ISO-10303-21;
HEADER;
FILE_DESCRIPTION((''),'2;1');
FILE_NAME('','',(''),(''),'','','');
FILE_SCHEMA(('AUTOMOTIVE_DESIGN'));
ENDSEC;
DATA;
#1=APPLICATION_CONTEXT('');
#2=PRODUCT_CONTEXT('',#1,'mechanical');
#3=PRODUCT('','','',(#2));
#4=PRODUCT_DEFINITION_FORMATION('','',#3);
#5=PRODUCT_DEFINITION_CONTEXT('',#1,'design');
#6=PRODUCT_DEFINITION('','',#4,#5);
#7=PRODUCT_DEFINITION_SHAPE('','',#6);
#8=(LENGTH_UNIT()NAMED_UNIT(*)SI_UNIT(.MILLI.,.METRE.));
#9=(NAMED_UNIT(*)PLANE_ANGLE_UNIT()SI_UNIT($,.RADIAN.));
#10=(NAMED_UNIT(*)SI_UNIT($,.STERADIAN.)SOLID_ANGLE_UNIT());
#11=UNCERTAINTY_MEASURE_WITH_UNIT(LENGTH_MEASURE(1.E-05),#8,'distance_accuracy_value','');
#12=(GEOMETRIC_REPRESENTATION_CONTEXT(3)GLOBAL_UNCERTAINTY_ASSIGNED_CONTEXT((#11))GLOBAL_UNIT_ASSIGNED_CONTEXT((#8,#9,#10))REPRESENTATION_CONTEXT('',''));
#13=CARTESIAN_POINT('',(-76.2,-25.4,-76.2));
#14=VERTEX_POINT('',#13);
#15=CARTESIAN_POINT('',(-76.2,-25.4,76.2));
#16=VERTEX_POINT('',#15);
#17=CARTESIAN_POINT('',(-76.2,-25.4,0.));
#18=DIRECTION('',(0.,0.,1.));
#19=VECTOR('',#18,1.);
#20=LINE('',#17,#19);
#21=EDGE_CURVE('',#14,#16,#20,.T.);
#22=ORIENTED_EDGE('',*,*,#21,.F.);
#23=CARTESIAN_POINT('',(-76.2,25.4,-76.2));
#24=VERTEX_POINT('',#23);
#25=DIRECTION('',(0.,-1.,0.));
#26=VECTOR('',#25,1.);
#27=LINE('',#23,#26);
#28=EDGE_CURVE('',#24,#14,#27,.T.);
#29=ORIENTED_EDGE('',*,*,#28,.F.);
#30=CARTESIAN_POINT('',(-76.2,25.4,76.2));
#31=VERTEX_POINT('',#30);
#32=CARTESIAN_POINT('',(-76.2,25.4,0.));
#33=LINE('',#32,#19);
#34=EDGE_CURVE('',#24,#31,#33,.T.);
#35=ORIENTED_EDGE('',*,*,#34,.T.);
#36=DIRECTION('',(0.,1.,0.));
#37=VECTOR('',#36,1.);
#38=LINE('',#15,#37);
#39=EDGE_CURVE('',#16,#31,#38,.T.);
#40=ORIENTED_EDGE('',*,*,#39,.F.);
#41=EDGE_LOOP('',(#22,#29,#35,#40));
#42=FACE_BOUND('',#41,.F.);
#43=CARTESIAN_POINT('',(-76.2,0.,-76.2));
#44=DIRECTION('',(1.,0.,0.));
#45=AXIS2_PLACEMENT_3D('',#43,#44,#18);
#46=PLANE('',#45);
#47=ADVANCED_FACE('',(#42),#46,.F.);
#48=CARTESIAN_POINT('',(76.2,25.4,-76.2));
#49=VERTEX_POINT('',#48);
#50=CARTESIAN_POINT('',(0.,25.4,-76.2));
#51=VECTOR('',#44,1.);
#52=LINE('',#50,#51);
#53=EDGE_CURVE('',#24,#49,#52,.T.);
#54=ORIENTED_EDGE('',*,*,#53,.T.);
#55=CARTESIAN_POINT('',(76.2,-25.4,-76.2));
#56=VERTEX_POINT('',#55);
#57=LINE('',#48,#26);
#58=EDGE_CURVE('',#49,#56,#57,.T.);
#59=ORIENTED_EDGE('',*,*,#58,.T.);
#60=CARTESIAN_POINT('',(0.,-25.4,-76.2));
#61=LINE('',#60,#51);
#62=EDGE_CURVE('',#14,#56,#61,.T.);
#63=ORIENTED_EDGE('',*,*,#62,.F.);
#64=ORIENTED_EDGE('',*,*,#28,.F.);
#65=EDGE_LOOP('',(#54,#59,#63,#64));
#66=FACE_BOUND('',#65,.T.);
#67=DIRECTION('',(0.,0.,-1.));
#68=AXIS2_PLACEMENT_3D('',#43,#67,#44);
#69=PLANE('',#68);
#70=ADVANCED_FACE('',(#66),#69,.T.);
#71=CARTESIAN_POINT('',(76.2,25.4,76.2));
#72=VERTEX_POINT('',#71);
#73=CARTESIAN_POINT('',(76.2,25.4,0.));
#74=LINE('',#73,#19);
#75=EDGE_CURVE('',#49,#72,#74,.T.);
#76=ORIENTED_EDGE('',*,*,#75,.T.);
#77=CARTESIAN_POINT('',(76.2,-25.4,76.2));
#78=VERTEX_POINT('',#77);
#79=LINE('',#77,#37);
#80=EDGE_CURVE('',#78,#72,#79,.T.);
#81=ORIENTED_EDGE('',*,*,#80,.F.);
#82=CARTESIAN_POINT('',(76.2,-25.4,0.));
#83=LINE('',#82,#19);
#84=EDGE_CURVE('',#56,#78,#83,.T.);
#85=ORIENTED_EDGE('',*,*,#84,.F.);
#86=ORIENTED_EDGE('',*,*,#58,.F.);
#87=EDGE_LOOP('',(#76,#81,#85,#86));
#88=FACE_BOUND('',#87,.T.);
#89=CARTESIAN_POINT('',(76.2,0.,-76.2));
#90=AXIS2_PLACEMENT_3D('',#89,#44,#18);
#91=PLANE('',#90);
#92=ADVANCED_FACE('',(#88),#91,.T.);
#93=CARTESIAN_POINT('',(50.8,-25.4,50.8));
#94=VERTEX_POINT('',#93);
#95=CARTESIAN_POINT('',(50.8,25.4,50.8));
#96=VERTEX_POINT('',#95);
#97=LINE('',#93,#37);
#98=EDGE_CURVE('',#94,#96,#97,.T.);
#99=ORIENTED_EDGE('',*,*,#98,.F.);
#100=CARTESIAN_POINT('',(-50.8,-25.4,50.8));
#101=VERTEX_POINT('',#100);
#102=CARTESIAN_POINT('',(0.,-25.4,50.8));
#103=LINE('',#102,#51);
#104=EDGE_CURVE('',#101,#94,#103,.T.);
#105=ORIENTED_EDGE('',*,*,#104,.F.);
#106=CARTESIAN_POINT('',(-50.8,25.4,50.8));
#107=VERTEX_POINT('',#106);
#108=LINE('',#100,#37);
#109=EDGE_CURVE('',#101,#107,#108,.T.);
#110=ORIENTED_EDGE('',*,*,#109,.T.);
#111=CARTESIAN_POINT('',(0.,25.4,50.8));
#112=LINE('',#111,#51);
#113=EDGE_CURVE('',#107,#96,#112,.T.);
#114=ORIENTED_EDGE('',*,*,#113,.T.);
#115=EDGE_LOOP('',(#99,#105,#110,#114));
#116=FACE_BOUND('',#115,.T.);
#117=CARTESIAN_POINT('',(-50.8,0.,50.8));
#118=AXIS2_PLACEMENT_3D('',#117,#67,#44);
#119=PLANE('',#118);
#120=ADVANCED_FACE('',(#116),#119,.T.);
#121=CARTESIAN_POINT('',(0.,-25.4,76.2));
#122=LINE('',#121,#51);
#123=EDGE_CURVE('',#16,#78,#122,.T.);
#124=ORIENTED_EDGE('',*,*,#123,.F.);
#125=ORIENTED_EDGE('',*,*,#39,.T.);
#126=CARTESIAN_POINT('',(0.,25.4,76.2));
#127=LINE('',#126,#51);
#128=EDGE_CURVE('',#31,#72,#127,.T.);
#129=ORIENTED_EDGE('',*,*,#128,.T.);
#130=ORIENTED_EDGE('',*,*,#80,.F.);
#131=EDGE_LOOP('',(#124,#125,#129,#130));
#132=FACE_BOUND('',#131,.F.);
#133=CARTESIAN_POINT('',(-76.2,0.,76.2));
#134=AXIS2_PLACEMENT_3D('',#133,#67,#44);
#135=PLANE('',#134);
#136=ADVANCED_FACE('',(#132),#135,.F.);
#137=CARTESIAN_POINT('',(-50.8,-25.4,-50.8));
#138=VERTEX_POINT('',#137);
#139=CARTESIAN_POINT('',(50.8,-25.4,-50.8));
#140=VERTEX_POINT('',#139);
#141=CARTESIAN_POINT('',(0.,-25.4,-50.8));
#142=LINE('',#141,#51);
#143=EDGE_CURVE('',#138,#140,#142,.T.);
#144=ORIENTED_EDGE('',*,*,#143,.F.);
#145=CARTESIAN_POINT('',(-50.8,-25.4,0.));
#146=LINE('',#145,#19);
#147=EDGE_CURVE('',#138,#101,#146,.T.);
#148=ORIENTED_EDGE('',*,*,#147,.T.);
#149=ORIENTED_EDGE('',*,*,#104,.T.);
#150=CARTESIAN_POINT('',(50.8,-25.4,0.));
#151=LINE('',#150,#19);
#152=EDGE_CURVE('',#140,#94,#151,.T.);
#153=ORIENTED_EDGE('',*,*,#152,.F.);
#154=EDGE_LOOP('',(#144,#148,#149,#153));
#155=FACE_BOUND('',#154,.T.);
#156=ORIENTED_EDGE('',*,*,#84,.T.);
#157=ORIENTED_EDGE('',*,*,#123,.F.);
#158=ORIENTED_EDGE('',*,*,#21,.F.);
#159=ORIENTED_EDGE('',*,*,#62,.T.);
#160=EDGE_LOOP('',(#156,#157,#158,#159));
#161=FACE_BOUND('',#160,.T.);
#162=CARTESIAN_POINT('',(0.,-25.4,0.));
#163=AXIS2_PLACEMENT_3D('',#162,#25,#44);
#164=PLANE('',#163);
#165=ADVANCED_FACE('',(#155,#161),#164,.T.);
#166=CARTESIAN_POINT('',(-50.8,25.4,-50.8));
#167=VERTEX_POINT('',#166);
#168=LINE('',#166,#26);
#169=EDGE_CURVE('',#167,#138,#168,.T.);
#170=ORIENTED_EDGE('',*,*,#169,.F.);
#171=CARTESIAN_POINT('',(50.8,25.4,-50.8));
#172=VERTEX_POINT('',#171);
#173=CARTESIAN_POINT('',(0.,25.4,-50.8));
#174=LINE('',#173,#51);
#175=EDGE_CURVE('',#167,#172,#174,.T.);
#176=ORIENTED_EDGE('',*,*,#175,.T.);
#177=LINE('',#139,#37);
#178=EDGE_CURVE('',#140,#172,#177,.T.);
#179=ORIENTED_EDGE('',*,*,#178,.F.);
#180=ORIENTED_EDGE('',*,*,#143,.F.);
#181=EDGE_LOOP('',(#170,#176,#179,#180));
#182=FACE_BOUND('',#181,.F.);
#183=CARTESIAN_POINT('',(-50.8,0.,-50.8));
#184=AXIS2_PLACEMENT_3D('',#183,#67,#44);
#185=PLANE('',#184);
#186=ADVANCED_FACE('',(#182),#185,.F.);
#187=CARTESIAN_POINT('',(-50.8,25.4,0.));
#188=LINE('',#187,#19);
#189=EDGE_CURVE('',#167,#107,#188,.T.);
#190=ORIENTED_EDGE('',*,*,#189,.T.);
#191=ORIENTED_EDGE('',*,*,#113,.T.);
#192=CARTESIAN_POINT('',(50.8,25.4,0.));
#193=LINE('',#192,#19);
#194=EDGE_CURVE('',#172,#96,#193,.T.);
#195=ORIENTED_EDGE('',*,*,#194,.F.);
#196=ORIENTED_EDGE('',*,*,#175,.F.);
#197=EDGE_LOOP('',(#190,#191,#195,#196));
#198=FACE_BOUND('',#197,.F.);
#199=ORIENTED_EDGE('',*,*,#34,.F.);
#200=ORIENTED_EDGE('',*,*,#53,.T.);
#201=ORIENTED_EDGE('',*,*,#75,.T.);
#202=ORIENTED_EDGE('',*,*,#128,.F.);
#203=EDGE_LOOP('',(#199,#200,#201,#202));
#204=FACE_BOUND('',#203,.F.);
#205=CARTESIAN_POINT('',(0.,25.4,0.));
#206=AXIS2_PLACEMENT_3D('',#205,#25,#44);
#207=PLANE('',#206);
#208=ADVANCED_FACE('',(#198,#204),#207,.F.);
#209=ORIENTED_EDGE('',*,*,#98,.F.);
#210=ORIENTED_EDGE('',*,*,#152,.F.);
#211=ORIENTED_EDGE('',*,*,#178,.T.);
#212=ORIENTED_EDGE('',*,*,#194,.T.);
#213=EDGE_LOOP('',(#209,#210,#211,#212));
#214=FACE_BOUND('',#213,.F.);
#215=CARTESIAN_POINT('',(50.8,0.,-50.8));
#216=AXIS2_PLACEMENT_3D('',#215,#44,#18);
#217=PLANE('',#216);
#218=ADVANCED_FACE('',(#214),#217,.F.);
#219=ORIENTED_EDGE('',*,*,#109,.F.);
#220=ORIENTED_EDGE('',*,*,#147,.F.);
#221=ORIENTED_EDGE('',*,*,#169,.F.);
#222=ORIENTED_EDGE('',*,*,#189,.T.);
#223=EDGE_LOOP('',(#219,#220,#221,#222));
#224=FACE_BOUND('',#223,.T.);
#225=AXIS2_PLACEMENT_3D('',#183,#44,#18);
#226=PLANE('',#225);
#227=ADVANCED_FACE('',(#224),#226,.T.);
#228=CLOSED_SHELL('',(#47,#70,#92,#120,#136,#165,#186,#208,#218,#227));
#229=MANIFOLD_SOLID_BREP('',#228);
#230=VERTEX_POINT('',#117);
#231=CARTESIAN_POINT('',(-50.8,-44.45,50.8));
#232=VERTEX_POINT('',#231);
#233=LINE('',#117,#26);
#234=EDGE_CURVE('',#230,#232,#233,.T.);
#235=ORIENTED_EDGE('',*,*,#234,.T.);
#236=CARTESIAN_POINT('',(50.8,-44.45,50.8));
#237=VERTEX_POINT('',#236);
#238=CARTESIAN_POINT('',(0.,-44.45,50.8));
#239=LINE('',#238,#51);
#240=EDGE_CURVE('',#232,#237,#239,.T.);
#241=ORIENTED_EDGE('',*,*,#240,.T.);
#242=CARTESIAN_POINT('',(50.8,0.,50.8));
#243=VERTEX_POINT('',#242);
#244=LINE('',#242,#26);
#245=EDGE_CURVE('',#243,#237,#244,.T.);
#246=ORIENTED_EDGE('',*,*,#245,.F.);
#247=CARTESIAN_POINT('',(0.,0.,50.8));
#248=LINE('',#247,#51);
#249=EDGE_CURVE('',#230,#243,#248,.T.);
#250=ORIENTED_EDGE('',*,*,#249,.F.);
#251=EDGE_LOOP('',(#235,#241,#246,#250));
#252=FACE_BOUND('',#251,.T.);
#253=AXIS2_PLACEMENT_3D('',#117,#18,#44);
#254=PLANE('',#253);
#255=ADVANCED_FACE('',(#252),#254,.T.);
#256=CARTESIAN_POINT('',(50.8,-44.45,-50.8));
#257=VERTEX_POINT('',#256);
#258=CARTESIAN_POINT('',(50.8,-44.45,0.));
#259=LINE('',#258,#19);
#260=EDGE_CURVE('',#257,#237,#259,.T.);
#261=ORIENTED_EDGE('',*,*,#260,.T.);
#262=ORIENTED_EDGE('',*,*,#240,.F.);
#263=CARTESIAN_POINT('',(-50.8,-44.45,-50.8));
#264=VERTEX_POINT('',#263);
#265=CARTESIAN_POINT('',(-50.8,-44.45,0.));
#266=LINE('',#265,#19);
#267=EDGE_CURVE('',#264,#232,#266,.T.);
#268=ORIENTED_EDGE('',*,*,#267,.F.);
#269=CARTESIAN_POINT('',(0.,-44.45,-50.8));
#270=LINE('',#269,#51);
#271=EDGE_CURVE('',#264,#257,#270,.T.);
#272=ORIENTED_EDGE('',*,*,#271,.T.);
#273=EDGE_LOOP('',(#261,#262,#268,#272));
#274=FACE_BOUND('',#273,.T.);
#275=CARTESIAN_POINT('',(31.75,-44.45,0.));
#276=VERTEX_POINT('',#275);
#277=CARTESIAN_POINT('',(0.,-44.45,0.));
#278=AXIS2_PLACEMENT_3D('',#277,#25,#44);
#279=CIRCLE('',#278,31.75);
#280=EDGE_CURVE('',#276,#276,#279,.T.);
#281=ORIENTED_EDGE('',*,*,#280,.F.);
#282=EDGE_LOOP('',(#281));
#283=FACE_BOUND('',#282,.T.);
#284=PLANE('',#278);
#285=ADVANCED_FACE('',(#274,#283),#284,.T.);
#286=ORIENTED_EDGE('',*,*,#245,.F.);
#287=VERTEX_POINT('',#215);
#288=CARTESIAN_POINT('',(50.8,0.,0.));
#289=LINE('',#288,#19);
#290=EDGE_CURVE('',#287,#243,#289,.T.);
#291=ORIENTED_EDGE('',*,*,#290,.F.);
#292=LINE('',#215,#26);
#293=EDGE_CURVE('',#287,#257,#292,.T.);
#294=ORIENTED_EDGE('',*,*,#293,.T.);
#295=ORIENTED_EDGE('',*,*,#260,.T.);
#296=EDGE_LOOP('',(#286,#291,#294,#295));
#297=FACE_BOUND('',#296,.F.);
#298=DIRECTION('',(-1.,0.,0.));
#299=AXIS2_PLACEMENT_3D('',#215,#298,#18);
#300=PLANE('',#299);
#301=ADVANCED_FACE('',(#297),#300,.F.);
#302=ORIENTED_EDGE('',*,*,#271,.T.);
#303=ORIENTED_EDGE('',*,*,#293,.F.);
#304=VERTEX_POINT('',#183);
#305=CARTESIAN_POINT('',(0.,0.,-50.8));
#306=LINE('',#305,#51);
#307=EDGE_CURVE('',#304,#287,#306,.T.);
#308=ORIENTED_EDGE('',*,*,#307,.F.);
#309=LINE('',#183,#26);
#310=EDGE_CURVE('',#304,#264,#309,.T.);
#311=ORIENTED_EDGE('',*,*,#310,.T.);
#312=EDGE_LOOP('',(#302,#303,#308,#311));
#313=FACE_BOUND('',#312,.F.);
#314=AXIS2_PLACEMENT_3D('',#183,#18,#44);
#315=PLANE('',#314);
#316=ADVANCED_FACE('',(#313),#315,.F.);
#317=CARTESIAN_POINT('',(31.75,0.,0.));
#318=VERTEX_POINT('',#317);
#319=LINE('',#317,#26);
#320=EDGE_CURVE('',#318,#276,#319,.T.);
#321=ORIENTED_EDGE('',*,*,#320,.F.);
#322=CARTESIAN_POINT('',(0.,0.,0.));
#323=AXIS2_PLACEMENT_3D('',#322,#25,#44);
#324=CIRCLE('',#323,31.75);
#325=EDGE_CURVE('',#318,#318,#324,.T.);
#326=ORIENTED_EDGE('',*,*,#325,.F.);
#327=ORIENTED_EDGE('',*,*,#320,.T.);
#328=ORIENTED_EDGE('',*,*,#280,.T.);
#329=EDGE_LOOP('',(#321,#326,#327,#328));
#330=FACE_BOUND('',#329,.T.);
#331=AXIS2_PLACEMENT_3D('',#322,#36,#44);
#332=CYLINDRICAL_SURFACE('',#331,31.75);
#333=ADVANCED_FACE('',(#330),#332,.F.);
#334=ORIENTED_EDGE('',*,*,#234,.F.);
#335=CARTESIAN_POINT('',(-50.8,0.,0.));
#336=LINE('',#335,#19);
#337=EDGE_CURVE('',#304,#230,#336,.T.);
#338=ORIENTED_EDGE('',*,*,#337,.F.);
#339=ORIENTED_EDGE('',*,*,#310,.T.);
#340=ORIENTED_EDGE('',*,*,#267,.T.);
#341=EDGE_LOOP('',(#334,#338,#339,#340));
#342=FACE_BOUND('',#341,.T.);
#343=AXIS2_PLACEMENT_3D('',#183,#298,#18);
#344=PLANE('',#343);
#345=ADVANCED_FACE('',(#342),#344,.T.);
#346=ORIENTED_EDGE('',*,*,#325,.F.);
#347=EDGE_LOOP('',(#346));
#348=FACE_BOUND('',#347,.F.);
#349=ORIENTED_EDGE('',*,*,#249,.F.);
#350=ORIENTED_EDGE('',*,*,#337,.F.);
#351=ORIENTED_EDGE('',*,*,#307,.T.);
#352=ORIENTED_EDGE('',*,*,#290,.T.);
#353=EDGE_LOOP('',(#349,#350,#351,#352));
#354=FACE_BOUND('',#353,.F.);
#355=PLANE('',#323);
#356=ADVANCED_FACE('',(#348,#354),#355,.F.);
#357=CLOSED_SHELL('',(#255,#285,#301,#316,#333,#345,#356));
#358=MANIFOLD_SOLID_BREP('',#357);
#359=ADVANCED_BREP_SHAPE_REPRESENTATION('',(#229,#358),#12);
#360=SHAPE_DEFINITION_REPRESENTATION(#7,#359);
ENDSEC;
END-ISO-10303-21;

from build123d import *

# Parameters (mm, degrees)
F0_W     = 101.6
F0_H     = 101.6
F0_R     = 31.75
F1_DEPTH = 44.45
F0_W_2   = 152.4
F0_H_2   = 152.4
F2_DEPTH = 25.4


with BuildPart() as f1:
    # F0 (on Front) → F1 (new body)
    with BuildSketch(Plane.XZ):
        Rectangle(F0_W, F0_H)
        Circle(F0_R, mode=Mode.SUBTRACT)
    extrude(amount=F1_DEPTH)


with BuildPart() as f2:
    # F0 (on Front) → F2 (new body, symmetric)
    with BuildSketch(Plane.XZ):
        Rectangle(F0_W_2, F0_H_2)
        Rectangle(F0_W, F0_H, mode=Mode.SUBTRACT)
    extrude(amount=F2_DEPTH, both=True)


solid = Compound([f1.part, f2.part])
